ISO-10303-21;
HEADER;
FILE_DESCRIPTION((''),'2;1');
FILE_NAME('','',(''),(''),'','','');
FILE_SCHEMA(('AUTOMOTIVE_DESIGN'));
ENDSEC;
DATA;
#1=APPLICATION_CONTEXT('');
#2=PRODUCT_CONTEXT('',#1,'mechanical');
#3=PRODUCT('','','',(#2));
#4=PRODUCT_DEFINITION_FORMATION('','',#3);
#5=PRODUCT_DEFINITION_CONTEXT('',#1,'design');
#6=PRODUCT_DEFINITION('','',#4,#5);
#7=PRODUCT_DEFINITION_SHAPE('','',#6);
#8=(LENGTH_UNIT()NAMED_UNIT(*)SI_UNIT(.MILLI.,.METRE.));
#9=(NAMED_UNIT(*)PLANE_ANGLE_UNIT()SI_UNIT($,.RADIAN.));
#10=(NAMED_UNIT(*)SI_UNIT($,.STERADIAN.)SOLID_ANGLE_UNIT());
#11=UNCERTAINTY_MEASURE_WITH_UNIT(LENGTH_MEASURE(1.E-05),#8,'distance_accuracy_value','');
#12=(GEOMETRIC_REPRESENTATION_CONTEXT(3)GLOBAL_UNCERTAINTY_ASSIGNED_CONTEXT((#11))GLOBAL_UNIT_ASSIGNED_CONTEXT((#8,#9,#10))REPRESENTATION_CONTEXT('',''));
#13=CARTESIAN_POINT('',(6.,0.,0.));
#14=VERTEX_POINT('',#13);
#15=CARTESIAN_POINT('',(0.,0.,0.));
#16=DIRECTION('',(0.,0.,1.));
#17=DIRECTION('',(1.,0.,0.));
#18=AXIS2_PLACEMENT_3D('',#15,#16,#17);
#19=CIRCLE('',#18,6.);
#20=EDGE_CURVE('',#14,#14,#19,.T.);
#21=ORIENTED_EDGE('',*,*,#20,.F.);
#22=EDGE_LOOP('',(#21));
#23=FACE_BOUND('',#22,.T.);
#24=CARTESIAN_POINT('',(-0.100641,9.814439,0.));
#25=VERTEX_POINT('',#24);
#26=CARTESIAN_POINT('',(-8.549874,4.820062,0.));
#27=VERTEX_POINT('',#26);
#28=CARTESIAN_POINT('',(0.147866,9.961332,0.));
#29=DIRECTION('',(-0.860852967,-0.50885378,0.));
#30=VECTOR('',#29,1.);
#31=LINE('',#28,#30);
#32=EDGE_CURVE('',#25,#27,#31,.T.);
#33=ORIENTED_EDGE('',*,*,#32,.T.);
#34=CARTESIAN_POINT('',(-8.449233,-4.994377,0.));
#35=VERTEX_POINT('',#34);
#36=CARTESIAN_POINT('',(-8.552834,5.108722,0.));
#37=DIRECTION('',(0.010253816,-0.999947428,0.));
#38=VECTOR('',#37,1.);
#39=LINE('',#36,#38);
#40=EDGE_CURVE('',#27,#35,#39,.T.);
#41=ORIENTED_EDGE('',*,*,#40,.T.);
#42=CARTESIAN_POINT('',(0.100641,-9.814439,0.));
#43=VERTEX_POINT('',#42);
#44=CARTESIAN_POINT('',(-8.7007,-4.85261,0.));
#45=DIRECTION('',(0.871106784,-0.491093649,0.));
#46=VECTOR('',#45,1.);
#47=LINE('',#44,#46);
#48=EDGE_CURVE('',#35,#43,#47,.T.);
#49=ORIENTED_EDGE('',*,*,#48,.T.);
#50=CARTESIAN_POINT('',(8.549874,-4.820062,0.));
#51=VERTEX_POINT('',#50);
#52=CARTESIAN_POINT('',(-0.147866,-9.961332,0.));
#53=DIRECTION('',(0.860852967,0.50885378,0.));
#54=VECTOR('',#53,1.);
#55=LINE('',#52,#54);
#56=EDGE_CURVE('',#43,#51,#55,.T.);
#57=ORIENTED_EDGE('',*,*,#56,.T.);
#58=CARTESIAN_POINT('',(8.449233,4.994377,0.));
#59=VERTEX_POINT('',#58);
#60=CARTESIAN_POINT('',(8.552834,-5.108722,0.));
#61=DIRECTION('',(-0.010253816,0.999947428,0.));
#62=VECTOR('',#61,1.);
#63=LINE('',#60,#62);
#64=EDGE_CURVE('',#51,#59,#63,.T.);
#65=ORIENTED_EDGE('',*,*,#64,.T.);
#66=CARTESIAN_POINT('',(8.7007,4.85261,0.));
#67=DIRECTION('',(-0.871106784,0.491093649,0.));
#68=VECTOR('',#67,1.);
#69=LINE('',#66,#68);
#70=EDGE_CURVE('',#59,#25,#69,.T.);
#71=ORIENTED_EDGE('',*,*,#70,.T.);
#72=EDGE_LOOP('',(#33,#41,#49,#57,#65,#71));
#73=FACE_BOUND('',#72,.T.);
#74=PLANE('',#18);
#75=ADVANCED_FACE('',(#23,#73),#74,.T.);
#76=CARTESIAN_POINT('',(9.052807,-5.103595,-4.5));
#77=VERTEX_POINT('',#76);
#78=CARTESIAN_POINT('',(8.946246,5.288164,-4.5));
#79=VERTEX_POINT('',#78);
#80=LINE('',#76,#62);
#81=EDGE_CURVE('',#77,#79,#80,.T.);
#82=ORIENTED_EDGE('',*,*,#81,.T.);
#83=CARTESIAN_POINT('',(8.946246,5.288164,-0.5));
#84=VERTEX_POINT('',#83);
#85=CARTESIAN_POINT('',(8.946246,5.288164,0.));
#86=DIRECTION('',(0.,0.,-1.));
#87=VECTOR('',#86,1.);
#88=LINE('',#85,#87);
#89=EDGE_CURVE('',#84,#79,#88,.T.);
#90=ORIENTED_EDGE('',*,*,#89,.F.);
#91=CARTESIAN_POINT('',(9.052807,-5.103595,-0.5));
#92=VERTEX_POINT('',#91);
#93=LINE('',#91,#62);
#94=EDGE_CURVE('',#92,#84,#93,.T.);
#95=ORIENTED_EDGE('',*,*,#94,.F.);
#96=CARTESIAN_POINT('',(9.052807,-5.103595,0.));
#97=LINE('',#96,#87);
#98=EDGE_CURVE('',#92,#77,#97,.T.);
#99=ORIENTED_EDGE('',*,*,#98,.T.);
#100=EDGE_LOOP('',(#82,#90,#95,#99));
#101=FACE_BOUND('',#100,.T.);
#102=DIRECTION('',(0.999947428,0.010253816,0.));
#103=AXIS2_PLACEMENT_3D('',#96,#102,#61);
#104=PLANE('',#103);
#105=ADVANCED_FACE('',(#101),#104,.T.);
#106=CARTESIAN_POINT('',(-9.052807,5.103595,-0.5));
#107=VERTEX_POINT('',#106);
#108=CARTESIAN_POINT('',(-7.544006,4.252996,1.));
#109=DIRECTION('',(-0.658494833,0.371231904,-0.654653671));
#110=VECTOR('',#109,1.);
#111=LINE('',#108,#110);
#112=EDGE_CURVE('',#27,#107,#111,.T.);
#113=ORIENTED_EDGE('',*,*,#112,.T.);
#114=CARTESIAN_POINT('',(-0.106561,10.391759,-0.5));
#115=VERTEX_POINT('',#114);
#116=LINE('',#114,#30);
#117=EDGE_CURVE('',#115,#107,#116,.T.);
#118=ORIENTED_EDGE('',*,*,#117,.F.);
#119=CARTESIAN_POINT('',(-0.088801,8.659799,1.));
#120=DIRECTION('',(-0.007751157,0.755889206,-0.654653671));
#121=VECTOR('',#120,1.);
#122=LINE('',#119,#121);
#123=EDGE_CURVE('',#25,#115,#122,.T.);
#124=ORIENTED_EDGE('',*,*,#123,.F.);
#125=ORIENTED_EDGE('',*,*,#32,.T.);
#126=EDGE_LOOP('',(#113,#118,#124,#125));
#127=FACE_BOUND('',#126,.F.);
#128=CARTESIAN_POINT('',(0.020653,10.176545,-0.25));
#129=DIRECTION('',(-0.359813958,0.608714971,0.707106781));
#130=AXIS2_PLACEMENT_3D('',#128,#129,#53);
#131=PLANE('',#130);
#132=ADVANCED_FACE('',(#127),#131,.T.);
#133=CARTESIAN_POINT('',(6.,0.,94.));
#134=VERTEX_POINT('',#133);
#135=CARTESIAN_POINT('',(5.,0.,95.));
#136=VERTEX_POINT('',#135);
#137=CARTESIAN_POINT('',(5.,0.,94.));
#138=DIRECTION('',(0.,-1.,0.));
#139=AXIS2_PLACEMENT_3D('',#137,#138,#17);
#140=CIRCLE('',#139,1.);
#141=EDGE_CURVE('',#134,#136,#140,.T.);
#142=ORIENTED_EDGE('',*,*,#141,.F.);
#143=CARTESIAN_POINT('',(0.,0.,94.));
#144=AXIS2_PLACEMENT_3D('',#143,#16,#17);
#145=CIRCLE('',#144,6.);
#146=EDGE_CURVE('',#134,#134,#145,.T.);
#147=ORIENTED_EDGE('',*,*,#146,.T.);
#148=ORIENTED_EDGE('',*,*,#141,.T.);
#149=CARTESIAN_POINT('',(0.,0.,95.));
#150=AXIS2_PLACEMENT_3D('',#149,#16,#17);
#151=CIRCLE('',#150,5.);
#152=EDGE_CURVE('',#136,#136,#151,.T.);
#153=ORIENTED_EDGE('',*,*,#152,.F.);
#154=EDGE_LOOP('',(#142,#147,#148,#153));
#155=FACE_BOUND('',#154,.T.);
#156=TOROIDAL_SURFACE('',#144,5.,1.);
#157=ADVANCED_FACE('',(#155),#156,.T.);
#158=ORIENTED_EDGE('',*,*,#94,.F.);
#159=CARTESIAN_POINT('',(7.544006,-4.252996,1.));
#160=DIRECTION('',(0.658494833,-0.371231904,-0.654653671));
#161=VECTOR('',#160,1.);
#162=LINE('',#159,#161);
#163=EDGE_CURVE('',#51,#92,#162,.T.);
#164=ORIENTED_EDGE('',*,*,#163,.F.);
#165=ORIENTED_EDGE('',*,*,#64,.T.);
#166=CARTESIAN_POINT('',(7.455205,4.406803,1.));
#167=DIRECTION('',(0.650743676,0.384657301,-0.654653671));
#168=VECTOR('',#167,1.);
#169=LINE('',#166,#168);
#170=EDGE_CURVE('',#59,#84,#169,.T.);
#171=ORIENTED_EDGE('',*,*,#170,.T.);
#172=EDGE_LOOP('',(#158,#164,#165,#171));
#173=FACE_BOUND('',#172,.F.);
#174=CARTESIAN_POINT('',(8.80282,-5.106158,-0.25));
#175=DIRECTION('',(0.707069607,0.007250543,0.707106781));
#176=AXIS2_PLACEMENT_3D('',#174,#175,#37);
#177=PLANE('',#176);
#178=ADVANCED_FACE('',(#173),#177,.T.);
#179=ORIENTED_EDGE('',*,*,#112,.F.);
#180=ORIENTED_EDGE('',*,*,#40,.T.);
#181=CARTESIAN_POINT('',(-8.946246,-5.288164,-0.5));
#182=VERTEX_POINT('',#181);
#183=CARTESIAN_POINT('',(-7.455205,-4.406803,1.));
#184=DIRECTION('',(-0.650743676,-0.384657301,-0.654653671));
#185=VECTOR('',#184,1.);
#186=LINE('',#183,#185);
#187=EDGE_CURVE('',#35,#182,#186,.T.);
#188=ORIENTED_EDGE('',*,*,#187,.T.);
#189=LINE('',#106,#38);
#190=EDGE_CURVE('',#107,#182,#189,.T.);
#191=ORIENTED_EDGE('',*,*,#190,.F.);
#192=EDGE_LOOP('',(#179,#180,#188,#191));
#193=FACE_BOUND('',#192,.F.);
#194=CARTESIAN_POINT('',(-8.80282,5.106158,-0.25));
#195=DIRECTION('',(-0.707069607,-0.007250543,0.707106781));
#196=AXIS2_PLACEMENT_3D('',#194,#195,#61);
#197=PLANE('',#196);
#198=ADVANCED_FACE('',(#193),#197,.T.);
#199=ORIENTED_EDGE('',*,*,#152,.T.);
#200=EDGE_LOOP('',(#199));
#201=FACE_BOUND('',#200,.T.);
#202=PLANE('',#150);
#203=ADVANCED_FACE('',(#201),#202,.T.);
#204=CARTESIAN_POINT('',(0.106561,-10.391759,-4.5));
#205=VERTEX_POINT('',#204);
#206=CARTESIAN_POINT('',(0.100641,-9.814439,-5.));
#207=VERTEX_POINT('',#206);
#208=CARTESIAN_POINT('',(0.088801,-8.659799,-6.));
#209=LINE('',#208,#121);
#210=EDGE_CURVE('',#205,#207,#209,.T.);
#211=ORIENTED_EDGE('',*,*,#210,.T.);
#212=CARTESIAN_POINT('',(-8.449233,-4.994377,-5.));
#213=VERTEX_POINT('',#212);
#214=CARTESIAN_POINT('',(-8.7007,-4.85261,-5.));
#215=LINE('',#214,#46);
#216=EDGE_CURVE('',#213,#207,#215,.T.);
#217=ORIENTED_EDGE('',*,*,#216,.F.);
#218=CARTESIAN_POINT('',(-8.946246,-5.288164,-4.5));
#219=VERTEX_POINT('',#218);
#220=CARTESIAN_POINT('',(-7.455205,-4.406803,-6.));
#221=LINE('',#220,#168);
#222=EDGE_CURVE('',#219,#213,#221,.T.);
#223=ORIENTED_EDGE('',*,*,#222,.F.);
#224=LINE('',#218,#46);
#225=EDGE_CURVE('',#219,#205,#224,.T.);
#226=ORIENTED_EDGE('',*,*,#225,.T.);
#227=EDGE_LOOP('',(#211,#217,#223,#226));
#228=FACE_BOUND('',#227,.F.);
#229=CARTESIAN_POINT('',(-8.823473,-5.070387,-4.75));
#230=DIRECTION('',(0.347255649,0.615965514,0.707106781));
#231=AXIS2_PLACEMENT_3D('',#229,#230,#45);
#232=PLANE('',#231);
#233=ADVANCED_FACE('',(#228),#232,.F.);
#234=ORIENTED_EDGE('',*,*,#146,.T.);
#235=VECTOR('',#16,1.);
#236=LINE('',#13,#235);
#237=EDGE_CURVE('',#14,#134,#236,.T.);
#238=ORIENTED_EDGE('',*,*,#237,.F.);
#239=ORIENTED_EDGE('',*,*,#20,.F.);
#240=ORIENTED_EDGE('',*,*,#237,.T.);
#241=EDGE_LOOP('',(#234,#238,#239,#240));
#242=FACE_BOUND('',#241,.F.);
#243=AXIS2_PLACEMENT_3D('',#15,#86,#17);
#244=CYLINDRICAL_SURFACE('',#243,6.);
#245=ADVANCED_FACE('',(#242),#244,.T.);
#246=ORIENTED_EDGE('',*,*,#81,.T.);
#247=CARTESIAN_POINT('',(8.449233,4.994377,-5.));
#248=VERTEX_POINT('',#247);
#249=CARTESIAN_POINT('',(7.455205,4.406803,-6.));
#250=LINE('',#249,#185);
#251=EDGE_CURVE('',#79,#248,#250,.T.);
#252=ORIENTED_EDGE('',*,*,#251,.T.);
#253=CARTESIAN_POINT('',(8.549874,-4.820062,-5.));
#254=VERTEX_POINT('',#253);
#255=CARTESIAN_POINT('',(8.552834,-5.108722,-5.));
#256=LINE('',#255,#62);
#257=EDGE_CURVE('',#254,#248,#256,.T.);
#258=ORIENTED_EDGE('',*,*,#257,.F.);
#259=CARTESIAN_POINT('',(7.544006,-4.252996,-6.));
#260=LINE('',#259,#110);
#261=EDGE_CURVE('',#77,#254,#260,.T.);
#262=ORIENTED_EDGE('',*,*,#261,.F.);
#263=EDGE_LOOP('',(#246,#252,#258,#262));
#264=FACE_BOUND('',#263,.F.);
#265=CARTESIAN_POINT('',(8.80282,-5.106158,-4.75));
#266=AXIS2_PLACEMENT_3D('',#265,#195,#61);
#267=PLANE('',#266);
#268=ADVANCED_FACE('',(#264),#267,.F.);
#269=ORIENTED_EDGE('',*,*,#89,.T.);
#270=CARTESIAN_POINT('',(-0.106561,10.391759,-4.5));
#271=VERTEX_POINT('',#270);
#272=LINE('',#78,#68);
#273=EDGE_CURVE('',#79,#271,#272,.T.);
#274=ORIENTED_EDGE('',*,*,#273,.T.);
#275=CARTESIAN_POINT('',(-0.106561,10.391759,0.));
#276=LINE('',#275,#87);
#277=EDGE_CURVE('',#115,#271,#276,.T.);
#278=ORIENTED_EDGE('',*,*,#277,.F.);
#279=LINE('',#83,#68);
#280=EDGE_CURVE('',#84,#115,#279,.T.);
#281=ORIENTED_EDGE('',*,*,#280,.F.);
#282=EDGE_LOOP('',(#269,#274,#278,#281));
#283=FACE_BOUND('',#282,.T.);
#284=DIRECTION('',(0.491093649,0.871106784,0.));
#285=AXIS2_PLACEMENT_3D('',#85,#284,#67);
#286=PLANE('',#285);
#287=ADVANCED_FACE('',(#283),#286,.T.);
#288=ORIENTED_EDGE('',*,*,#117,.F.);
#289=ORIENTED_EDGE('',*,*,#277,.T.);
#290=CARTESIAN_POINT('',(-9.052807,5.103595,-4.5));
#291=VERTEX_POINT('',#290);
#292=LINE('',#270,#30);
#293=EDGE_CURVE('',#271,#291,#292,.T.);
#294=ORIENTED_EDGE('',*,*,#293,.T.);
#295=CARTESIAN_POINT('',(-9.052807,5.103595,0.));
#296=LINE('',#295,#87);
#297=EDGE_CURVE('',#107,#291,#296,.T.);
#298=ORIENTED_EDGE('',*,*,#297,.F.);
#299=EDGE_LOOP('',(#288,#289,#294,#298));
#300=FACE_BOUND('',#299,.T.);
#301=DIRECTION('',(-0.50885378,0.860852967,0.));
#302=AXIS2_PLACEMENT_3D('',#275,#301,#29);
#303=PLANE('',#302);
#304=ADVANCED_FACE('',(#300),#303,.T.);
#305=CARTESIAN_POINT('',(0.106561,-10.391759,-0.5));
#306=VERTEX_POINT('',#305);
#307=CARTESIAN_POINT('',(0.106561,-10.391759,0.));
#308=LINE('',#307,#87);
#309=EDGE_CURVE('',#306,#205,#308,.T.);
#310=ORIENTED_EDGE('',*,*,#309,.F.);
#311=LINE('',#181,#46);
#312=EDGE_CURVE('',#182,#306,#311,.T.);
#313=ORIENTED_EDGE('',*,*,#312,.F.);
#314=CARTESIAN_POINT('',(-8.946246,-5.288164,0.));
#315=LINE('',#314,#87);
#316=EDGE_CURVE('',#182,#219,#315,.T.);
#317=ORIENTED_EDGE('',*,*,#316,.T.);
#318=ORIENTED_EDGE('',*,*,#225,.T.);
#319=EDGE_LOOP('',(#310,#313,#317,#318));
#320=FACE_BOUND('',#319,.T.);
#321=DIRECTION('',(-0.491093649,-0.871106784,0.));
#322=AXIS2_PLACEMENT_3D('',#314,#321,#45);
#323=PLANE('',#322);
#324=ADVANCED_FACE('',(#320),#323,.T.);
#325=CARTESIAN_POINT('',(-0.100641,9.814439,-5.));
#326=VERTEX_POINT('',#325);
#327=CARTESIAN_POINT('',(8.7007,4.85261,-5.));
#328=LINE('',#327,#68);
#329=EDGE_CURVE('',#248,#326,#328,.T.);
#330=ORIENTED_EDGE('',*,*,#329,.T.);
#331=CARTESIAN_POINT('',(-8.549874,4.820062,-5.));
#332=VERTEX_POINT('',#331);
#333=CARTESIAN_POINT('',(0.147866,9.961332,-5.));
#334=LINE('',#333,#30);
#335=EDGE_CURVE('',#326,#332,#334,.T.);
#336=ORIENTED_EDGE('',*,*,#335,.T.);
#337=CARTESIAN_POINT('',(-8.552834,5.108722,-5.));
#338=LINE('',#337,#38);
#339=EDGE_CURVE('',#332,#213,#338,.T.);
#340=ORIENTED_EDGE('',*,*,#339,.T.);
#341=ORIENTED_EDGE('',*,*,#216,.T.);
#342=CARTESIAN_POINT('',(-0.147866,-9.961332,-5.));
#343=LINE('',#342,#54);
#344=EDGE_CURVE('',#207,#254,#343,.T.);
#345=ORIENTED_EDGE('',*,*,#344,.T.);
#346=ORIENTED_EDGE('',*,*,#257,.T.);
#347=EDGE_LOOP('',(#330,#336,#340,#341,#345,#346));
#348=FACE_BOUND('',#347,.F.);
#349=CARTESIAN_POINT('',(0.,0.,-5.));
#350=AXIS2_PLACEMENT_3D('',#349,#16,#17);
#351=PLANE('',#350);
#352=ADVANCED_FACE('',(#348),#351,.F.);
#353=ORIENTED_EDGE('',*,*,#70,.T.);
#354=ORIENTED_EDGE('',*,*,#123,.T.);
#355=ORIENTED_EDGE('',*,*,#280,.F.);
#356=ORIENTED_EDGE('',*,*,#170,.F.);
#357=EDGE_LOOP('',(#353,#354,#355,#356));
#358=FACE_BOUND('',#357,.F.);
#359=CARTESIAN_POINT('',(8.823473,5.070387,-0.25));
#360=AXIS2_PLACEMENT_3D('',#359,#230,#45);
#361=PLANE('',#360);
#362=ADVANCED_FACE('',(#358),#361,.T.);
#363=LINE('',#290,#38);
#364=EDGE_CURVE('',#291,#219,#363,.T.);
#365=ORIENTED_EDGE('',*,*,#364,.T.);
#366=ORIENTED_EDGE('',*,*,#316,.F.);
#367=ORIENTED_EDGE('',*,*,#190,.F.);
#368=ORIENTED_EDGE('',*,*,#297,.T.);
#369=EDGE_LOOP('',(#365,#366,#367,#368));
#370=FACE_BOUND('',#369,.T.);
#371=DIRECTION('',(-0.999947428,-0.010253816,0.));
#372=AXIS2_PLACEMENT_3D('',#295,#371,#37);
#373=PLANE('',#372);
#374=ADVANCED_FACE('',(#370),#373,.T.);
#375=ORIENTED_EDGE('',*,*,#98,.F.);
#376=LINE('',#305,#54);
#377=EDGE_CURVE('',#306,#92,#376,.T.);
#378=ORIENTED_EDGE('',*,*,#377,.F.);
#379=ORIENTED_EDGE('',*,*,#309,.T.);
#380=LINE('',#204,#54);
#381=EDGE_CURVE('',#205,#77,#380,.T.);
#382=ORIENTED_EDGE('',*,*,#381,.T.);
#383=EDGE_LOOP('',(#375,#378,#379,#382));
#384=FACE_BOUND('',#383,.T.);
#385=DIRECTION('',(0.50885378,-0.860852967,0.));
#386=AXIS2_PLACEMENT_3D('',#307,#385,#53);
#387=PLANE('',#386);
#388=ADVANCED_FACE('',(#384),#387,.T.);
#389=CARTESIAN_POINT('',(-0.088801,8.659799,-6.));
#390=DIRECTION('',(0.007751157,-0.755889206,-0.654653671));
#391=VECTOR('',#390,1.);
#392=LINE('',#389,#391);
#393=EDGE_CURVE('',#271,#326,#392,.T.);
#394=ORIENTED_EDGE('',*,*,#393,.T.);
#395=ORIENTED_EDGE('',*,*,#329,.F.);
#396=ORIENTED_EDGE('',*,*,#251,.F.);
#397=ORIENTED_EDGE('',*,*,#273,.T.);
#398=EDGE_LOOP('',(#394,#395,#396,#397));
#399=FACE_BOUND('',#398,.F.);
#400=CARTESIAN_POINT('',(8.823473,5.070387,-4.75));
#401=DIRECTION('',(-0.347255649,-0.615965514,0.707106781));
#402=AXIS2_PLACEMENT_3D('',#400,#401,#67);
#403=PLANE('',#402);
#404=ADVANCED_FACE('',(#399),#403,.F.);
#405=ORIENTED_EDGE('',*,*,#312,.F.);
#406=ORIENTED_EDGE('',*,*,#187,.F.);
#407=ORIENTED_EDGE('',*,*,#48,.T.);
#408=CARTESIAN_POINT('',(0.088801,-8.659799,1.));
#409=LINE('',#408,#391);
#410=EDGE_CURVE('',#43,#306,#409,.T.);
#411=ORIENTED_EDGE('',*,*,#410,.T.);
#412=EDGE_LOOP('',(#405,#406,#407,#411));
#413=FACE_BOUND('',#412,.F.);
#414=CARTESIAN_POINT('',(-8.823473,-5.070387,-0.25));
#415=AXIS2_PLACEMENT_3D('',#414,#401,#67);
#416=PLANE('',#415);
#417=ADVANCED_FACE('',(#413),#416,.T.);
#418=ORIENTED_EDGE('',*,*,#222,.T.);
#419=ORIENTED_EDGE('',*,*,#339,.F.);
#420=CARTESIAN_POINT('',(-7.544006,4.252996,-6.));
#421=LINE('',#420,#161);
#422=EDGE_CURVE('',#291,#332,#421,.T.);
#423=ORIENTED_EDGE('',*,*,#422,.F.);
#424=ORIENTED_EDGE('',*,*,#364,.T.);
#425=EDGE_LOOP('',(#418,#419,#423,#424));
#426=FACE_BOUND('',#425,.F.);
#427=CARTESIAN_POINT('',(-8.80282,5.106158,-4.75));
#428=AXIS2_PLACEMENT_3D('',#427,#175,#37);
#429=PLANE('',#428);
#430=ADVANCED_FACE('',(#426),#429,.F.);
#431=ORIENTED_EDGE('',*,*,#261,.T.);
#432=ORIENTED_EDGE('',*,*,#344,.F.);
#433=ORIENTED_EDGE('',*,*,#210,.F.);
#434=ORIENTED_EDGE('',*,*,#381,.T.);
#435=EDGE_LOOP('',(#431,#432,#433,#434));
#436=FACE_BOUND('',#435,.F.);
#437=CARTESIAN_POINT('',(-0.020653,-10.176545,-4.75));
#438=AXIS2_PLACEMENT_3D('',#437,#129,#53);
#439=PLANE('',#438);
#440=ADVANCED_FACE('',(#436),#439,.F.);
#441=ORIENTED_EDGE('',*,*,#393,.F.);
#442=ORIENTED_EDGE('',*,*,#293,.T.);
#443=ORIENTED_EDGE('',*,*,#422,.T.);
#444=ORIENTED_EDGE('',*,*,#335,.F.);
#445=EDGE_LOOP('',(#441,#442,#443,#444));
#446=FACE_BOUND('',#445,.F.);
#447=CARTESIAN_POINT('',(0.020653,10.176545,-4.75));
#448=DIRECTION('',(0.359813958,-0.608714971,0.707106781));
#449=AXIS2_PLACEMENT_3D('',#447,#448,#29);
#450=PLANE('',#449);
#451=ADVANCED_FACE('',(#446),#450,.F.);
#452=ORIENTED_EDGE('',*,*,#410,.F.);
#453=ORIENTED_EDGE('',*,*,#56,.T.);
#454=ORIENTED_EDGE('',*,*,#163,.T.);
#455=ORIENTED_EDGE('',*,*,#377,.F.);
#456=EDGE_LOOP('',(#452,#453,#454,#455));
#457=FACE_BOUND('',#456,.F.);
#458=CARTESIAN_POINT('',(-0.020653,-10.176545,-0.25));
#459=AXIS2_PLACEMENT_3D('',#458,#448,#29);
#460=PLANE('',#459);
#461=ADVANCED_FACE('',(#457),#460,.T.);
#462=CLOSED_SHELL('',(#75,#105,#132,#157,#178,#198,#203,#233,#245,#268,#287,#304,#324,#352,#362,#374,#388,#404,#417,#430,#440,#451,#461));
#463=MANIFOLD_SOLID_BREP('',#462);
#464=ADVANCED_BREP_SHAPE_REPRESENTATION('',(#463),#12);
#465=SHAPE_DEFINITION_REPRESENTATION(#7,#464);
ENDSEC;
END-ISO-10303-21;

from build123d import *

# Parameters (mm, degrees)
F0_R      = 6
F1_DEPTH  = 95
F1_FACE_R = 6
F2_DEPTH  = 5
F3_R      = 1
F4_SIZE   = 0.5


with BuildPart() as f1:
    # F0 (on Top) → F1 (new body)
    with BuildSketch(Plane.XY):
        Circle(F0_R)
    extrude(amount=F1_DEPTH)

    # F0 (on Top) + F1_face (on face) → F2 (join)
    with BuildSketch(Plane.XY):
        Polygon((8.9462464611, 5.2881635996), (-0.1065607861, 10.3917585037), (-9.0528072472, 5.103594904), (-8.9462464611, -5.2881635996), (0.1065607861, -10.3917585037), (9.0528072472, -5.103594904), align=None)
        Circle(F0_R, mode=Mode.SUBTRACT)
    with BuildSketch(Plane(origin=(0, 0, 0), x_dir=(1, 0, 0), z_dir=(0, 0, -1))):
        Circle(F1_FACE_R)
    extrude(amount=-F2_DEPTH, dir=(0, 0, 1))

    # F3
    f3_edges = [f1.edges().sort_by_distance(p)[0] for p in [
        (-6, 0, 95),
    ]]
    fillet(f3_edges, radius=F3_R)

    # F4
    f4_edges = [f1.edges().sort_by_distance(p)[0] for p in [
        (4.419843, 7.839961, -5),
        (-4.579684, 7.747677, -5),
        (-8.999527, -0.092284, -5),
        (-4.419843, -7.839961, -5),
        (4.579684, -7.747677, -5),
        (8.999527, 0.092284, -5),
        (-4.579684, 7.747677, 0),
        (-8.999527, -0.092284, 0),
        (-4.419843, -7.839961, 0),
        (4.579684, -7.747677, 0),
        (4.419843, 7.839961, 0),
        (8.999527, 0.092284, 0),
    ]]
    chamfer(f4_edges, length=F4_SIZE)


solid = f1.part
